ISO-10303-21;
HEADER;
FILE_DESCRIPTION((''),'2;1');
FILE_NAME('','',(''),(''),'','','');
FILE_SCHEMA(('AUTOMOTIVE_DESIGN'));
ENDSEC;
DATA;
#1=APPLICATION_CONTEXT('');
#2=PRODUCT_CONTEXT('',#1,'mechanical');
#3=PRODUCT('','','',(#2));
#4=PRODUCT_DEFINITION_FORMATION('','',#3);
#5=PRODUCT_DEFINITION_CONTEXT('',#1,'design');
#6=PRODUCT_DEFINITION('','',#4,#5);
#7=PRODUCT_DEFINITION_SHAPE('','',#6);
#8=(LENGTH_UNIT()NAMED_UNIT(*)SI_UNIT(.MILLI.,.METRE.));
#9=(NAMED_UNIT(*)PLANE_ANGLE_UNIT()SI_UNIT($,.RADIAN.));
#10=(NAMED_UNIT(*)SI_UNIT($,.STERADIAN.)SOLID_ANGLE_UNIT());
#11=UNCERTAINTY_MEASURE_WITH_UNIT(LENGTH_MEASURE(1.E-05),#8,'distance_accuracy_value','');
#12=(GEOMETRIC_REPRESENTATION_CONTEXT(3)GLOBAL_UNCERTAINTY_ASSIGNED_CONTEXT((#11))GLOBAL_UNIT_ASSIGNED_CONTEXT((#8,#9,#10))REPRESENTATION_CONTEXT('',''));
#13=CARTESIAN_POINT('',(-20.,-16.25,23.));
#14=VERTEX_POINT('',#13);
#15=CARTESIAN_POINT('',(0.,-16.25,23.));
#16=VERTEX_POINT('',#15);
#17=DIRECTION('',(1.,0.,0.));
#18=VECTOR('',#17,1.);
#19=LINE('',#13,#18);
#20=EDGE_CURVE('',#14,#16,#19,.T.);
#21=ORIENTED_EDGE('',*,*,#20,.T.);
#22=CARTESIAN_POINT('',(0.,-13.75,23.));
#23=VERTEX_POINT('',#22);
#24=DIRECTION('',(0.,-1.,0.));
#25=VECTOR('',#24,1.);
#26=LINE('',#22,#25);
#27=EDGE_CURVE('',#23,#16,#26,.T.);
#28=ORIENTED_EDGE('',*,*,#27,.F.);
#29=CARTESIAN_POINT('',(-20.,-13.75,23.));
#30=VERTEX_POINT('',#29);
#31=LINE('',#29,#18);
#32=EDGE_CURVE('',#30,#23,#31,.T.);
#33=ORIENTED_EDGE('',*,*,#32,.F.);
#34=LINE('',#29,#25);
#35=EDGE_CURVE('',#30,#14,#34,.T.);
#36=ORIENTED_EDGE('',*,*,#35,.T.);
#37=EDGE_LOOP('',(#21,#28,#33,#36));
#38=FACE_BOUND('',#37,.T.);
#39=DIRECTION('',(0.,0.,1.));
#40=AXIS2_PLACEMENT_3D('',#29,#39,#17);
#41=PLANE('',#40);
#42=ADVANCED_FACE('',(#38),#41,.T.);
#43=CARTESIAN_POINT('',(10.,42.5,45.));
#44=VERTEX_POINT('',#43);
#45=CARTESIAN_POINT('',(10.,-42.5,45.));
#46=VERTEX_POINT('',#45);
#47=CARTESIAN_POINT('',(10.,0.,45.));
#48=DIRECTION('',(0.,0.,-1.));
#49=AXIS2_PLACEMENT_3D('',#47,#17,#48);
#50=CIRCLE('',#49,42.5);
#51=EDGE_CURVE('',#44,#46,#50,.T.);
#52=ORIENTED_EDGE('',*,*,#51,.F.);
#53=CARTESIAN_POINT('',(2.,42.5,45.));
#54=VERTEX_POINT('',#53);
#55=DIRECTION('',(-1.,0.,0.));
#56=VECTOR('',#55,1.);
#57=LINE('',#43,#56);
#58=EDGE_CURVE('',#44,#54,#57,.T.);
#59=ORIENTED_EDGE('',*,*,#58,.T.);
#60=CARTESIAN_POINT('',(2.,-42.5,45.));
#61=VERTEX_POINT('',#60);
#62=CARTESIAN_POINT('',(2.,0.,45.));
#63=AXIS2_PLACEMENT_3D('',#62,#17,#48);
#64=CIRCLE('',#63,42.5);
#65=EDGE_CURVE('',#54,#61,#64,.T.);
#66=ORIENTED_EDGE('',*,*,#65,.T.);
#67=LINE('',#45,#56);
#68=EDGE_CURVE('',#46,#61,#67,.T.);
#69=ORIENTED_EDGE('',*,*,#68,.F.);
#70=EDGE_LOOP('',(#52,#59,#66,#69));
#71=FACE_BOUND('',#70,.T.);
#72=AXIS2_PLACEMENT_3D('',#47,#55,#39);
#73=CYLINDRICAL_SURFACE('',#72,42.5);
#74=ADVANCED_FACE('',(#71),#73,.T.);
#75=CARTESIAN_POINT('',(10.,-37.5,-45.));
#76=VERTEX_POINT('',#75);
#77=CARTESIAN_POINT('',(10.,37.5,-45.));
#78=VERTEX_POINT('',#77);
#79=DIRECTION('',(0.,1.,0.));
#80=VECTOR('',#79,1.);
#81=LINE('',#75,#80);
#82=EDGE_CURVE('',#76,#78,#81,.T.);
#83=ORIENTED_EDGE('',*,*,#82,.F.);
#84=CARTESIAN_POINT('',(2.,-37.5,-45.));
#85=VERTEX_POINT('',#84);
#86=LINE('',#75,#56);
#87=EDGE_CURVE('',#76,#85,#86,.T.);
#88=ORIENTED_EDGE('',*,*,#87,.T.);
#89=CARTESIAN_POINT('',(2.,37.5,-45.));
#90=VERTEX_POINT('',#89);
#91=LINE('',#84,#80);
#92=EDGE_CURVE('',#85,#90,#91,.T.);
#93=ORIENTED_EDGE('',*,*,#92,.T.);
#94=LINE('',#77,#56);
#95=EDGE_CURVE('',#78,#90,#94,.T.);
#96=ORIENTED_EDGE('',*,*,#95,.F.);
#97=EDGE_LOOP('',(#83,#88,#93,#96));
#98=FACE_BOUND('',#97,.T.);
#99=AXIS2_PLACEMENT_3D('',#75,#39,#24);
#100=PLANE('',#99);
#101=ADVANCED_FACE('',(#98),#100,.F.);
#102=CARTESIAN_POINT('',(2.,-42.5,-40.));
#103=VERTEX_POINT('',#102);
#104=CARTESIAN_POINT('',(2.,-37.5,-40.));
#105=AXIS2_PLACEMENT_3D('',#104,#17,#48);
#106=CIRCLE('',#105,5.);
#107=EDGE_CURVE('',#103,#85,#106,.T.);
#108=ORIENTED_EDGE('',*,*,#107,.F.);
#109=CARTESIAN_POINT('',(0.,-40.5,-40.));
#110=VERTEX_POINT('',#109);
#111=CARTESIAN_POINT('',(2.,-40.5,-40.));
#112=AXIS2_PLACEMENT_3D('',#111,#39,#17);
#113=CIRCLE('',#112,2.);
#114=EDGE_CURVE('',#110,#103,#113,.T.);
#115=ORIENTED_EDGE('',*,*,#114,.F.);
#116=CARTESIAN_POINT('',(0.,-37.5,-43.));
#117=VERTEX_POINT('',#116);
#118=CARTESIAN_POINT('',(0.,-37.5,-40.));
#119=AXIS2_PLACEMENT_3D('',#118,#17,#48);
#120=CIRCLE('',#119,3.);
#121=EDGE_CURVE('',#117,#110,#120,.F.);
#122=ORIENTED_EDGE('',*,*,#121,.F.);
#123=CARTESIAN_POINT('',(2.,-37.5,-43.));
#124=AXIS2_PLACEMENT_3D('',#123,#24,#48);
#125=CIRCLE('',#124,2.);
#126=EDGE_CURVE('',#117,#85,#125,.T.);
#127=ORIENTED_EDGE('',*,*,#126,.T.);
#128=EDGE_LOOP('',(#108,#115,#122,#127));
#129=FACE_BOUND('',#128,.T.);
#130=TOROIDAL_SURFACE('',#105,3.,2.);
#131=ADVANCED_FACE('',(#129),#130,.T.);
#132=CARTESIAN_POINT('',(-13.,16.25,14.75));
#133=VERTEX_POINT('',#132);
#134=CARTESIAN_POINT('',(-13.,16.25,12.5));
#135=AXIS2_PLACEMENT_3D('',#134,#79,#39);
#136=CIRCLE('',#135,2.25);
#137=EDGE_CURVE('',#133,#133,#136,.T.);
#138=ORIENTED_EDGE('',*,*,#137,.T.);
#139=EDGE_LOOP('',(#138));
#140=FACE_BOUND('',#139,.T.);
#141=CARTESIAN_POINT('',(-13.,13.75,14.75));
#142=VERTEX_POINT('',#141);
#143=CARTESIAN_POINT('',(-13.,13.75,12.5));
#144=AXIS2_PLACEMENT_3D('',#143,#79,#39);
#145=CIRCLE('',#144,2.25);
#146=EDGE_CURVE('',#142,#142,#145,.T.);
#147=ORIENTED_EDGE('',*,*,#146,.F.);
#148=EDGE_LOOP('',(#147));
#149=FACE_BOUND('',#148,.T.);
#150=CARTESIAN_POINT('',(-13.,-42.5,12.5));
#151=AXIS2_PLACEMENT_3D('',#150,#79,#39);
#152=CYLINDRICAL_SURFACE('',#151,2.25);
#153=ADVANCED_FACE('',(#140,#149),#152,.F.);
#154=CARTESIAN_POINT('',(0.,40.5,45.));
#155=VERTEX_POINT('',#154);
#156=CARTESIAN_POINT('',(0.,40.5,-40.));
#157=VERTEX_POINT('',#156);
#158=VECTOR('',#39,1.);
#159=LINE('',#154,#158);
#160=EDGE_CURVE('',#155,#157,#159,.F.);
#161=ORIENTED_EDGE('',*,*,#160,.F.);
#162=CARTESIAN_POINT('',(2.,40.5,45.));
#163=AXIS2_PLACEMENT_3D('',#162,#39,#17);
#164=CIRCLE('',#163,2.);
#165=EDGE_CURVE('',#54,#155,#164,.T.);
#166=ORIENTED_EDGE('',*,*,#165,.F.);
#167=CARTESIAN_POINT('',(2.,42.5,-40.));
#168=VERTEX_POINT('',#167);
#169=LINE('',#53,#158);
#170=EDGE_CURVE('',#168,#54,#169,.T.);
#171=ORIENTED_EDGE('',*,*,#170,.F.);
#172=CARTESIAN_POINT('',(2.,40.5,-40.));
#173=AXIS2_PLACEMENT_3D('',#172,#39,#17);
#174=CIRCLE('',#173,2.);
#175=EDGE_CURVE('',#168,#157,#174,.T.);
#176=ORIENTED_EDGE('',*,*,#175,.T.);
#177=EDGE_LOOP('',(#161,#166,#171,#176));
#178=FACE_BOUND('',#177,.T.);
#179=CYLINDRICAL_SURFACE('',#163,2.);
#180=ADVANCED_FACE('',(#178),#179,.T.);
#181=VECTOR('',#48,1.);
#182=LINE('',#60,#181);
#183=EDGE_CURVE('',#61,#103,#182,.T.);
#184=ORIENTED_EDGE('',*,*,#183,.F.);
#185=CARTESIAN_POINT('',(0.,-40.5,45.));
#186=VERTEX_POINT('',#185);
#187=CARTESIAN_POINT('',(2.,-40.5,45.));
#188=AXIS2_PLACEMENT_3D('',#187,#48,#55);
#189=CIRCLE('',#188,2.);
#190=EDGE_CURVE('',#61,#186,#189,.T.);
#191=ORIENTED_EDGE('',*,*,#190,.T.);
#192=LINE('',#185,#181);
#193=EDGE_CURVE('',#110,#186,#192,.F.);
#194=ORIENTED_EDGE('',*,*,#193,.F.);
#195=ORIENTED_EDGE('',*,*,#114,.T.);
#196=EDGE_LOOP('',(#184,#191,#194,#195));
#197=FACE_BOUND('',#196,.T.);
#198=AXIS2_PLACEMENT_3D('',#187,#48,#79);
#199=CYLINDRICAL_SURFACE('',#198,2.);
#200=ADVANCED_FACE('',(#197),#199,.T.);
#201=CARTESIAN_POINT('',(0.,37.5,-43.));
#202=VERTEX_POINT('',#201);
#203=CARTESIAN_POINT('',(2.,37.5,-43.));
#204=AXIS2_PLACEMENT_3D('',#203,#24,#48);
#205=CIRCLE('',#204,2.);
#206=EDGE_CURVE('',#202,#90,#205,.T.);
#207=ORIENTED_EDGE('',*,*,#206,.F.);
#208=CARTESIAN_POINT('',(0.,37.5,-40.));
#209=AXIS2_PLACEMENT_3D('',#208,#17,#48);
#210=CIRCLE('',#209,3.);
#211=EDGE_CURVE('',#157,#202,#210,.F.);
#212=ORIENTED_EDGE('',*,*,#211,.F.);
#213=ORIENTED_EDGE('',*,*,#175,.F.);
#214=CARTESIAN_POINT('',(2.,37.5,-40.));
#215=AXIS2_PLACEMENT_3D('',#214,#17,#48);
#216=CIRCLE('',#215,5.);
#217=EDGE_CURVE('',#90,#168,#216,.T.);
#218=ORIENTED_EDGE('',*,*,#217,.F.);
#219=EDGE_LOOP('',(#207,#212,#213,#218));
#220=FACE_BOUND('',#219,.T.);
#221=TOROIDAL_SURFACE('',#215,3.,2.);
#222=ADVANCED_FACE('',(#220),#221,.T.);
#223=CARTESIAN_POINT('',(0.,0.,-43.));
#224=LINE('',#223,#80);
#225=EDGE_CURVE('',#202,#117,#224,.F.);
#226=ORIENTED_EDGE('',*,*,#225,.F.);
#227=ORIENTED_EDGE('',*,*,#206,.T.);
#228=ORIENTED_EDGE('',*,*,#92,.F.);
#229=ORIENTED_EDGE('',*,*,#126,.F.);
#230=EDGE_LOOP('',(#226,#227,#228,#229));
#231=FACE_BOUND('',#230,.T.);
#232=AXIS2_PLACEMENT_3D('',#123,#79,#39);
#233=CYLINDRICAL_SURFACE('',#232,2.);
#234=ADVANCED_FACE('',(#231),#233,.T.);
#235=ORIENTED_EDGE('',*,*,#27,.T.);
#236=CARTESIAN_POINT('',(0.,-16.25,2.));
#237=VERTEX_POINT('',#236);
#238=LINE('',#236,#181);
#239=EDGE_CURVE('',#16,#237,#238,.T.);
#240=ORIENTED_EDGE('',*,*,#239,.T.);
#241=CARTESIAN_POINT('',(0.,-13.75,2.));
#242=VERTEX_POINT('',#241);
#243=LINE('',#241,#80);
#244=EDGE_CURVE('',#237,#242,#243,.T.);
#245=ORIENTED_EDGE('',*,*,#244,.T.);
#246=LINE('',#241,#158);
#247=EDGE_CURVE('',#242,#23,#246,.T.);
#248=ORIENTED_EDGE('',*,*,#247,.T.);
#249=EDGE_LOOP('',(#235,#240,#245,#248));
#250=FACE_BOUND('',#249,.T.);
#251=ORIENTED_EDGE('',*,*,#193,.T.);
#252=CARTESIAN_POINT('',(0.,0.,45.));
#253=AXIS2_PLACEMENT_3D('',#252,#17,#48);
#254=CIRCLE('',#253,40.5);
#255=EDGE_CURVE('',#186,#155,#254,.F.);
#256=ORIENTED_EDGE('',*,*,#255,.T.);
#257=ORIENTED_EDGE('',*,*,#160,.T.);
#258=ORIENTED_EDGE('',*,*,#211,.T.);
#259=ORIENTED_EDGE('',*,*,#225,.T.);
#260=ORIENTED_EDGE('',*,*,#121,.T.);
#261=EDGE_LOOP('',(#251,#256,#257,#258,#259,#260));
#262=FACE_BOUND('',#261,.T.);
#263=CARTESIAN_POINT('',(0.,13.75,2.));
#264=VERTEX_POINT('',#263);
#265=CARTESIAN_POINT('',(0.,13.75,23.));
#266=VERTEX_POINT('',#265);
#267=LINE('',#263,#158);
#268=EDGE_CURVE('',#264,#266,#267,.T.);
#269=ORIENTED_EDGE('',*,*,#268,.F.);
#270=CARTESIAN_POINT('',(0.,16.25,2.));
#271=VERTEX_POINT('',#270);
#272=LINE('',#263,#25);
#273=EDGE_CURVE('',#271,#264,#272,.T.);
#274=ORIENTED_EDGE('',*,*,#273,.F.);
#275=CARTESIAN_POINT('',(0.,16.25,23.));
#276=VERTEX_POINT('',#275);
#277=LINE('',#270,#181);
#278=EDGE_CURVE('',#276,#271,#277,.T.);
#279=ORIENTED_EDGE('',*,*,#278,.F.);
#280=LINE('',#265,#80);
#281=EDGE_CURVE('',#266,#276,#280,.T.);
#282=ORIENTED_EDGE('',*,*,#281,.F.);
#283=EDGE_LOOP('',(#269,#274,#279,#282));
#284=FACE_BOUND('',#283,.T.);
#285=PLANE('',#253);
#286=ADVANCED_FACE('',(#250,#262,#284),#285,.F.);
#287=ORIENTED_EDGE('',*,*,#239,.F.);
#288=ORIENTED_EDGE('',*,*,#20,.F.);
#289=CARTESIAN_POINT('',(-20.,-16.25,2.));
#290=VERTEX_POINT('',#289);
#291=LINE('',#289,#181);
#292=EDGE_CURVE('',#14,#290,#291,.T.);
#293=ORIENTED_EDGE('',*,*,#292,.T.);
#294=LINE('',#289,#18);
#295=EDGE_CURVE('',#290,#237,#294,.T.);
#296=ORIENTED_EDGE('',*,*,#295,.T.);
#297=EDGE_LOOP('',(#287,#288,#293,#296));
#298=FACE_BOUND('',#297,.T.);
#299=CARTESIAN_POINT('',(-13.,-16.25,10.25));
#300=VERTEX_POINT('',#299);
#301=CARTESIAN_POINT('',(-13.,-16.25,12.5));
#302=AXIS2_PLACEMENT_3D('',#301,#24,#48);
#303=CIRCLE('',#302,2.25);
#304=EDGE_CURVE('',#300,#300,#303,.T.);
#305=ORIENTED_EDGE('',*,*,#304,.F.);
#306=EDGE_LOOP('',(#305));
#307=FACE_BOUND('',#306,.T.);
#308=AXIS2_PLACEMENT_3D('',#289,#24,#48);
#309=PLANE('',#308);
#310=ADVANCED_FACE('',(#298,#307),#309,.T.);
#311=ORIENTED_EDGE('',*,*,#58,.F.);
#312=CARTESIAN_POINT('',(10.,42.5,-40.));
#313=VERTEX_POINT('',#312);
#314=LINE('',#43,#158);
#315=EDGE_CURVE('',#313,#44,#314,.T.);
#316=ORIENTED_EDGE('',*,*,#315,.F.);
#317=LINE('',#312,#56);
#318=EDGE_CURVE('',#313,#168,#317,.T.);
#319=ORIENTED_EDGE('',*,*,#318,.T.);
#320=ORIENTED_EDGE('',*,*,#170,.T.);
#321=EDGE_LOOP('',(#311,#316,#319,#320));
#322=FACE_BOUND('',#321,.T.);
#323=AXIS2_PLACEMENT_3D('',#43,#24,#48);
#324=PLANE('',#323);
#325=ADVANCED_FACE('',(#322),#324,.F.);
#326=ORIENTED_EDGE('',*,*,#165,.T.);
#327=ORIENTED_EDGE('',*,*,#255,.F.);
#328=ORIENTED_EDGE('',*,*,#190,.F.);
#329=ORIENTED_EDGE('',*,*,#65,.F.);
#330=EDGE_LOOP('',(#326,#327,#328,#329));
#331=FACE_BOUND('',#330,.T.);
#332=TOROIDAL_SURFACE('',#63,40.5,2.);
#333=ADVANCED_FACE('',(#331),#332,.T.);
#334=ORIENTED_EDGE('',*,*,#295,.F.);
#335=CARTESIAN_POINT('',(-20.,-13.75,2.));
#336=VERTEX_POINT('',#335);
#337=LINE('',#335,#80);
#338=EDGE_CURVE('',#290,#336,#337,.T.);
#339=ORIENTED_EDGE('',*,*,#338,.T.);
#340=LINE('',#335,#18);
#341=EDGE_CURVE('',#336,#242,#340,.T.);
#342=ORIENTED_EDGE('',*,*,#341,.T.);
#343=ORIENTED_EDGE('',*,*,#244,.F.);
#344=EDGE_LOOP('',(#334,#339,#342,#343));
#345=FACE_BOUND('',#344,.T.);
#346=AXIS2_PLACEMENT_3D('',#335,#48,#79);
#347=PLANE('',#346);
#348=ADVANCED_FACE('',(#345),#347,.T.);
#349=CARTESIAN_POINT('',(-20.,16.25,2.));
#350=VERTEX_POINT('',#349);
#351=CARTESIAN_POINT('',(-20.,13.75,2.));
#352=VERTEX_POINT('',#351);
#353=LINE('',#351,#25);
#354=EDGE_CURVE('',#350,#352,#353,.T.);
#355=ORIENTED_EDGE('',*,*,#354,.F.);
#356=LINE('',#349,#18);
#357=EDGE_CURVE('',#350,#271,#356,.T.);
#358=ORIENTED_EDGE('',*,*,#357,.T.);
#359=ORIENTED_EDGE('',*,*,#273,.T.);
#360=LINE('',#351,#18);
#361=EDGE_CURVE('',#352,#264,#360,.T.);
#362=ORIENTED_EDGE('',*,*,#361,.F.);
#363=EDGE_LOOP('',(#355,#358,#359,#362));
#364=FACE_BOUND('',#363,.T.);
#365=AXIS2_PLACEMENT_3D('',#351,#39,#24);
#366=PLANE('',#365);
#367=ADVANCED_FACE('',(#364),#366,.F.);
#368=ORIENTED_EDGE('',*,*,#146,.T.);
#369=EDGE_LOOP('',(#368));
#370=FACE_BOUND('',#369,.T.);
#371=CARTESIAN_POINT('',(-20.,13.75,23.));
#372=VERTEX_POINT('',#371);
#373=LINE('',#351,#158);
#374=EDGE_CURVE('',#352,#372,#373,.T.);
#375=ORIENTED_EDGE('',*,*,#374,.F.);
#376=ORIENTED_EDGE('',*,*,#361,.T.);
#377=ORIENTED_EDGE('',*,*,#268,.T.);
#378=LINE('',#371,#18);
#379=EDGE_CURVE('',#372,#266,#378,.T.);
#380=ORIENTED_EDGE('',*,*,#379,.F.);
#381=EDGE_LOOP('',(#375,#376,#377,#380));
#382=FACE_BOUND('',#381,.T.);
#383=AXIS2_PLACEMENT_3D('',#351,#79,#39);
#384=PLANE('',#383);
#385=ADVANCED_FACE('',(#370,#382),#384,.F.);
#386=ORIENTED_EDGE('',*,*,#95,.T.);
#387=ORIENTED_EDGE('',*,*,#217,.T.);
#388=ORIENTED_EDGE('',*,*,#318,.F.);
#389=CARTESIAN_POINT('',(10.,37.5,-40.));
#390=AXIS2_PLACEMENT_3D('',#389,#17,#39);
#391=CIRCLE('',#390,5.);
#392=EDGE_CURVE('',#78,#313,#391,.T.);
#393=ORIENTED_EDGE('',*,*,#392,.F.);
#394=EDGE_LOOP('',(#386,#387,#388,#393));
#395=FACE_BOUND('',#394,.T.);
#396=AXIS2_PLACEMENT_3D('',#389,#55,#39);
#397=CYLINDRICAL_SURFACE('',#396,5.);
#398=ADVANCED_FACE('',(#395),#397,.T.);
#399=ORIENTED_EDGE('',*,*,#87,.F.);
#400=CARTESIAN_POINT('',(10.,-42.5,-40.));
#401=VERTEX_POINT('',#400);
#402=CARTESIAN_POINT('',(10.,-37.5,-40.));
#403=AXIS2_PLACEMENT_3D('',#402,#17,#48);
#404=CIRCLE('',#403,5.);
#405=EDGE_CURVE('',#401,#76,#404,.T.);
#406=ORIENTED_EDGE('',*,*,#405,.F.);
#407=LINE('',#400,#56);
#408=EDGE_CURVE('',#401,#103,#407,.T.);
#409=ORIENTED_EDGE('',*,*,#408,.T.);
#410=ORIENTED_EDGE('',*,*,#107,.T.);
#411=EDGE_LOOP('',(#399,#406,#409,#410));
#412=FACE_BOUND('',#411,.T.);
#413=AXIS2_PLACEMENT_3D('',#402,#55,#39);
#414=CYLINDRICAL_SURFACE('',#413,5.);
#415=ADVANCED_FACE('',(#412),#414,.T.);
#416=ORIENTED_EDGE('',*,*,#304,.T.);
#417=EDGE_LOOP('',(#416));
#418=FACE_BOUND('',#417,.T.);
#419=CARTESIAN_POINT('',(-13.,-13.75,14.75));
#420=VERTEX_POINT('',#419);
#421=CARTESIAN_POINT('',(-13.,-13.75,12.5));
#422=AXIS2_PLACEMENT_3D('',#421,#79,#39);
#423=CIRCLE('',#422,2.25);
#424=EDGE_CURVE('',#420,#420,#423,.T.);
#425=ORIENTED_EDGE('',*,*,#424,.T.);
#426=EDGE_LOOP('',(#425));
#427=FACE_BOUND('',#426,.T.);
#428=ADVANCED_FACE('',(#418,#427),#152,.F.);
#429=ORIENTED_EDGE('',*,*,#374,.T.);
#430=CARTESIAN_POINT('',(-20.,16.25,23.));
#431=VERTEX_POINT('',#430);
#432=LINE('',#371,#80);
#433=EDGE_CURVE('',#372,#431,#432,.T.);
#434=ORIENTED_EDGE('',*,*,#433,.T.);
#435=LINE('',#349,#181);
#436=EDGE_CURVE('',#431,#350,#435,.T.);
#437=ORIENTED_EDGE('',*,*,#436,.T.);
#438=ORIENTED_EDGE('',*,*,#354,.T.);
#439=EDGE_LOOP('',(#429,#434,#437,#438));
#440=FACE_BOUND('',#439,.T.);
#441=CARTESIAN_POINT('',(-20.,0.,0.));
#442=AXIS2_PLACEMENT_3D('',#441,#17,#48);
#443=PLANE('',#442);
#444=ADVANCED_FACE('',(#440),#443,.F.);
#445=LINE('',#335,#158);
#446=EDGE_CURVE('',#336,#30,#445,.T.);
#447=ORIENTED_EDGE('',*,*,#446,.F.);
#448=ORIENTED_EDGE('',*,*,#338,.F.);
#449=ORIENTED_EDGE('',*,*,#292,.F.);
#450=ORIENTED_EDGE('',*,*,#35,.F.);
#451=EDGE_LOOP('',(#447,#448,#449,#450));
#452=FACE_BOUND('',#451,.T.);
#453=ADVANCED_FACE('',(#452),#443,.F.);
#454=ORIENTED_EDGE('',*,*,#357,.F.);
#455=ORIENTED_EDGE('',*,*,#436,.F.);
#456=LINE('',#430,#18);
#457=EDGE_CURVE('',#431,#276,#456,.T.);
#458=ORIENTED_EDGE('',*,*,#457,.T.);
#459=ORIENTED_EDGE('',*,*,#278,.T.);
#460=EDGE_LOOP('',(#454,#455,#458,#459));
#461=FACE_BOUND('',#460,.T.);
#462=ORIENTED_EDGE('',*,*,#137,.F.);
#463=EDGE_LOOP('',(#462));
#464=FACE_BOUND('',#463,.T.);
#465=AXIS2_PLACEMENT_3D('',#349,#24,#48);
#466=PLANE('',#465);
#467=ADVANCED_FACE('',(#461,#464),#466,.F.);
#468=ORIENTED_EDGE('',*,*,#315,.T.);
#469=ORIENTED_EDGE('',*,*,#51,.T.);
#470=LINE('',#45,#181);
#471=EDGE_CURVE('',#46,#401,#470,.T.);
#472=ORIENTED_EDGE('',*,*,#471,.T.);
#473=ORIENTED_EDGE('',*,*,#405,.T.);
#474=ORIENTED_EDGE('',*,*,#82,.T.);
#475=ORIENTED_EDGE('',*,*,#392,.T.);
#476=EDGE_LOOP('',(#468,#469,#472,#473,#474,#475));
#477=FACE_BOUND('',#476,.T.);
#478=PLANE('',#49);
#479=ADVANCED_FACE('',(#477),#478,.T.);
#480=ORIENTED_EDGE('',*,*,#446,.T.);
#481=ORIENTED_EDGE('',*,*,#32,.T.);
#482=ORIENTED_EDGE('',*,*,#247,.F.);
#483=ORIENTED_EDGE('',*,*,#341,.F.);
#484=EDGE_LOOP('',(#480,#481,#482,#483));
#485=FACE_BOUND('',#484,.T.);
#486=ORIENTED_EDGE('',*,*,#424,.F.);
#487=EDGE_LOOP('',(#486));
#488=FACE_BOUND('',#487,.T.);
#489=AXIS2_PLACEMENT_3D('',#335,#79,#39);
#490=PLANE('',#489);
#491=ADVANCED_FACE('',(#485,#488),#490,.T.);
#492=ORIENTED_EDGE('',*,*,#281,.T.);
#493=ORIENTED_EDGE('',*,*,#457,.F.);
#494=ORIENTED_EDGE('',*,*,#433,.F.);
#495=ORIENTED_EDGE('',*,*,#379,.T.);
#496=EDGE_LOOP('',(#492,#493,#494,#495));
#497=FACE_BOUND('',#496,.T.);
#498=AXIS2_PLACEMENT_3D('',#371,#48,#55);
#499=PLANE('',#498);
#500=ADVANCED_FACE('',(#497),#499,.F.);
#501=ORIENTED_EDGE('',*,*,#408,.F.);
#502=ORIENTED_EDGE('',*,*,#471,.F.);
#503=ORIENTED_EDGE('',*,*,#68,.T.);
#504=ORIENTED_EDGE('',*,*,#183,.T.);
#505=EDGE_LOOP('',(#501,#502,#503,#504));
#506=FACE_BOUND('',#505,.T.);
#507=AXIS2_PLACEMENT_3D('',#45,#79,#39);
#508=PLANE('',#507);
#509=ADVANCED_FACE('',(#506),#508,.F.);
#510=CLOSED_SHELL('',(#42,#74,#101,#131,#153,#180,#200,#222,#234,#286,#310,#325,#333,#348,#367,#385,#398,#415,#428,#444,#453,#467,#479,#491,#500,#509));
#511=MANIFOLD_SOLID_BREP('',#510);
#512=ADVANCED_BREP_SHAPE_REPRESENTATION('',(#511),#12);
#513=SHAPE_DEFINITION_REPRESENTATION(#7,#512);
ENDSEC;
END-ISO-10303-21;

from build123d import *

# Parameters (mm, degrees)
BOSS_EXTRUDE1_DEPTH = 10
FILLET1_R           = 2
SKETCH2_W           = 21
SKETCH2_H           = 2.5
BOSS_EXTRUDE2_DEPTH = 20
SKETCH3_R           = 2.25
CUT_EXTRUDE1_DEPTH  = 108.274472732


with BuildPart() as part:
    # Sketch1 → Boss-Extrude1 (new body)
    with BuildSketch(Plane(origin=(0, 0, 0), x_dir=(0, 0, -1), z_dir=(1, 0, 0))):
        with BuildLine():
            Line((-45, -42.5), (40, -42.5))
            ThreePointArc((40, -42.5), (43.535533906, -41.035533906), (45, -37.5))
            Line((45, -37.5), (45, 37.5))
            ThreePointArc((45, 37.5), (43.535533906, 41.035533906), (40, 42.5))
            Line((40, 42.5), (-45, 42.5))
            ThreePointArc((-45, 42.5), (-87.5, 0), (-45, -42.5))
        make_face()
    extrude(amount=BOSS_EXTRUDE1_DEPTH)

    # Fillet1
    fillet1_edges = [part.edges().sort_by_distance(p)[0] for p in [
        (0, 42.5, 2.5),
        (0, 41.035533906, -43.535533906),
        (0, 0, -45),
        (0, -41.035533906, -43.535533906),
        (0, -42.5, 2.5),
        (0, 0, 87.5),
    ]]
    fillet(fillet1_edges, radius=FILLET1_R)

    # Sketch2 → Boss-Extrude2 (add)
    with BuildSketch(Plane.ZY):
        with Locations((12.5, 15)):
            Rectangle(SKETCH2_W, SKETCH2_H)
    boss_extrude2 = extrude(amount=BOSS_EXTRUDE2_DEPTH)

    # Mirror1: Boss-Extrude2 across plane
    add(boss_extrude2.mirror(Plane.ZX))

    # Sketch3 → Cut-Extrude1 (cut, through all)
    with BuildSketch(Plane(origin=(0, 16.25, 0), x_dir=(1, 0, 0), z_dir=(0, 1, 0))):
        with Locations(Location((-13, -12.5, 0), (0, 0, 270))):
            Circle(SKETCH3_R)
    extrude(amount=-CUT_EXTRUDE1_DEPTH, mode=Mode.SUBTRACT)


solid = part.part
